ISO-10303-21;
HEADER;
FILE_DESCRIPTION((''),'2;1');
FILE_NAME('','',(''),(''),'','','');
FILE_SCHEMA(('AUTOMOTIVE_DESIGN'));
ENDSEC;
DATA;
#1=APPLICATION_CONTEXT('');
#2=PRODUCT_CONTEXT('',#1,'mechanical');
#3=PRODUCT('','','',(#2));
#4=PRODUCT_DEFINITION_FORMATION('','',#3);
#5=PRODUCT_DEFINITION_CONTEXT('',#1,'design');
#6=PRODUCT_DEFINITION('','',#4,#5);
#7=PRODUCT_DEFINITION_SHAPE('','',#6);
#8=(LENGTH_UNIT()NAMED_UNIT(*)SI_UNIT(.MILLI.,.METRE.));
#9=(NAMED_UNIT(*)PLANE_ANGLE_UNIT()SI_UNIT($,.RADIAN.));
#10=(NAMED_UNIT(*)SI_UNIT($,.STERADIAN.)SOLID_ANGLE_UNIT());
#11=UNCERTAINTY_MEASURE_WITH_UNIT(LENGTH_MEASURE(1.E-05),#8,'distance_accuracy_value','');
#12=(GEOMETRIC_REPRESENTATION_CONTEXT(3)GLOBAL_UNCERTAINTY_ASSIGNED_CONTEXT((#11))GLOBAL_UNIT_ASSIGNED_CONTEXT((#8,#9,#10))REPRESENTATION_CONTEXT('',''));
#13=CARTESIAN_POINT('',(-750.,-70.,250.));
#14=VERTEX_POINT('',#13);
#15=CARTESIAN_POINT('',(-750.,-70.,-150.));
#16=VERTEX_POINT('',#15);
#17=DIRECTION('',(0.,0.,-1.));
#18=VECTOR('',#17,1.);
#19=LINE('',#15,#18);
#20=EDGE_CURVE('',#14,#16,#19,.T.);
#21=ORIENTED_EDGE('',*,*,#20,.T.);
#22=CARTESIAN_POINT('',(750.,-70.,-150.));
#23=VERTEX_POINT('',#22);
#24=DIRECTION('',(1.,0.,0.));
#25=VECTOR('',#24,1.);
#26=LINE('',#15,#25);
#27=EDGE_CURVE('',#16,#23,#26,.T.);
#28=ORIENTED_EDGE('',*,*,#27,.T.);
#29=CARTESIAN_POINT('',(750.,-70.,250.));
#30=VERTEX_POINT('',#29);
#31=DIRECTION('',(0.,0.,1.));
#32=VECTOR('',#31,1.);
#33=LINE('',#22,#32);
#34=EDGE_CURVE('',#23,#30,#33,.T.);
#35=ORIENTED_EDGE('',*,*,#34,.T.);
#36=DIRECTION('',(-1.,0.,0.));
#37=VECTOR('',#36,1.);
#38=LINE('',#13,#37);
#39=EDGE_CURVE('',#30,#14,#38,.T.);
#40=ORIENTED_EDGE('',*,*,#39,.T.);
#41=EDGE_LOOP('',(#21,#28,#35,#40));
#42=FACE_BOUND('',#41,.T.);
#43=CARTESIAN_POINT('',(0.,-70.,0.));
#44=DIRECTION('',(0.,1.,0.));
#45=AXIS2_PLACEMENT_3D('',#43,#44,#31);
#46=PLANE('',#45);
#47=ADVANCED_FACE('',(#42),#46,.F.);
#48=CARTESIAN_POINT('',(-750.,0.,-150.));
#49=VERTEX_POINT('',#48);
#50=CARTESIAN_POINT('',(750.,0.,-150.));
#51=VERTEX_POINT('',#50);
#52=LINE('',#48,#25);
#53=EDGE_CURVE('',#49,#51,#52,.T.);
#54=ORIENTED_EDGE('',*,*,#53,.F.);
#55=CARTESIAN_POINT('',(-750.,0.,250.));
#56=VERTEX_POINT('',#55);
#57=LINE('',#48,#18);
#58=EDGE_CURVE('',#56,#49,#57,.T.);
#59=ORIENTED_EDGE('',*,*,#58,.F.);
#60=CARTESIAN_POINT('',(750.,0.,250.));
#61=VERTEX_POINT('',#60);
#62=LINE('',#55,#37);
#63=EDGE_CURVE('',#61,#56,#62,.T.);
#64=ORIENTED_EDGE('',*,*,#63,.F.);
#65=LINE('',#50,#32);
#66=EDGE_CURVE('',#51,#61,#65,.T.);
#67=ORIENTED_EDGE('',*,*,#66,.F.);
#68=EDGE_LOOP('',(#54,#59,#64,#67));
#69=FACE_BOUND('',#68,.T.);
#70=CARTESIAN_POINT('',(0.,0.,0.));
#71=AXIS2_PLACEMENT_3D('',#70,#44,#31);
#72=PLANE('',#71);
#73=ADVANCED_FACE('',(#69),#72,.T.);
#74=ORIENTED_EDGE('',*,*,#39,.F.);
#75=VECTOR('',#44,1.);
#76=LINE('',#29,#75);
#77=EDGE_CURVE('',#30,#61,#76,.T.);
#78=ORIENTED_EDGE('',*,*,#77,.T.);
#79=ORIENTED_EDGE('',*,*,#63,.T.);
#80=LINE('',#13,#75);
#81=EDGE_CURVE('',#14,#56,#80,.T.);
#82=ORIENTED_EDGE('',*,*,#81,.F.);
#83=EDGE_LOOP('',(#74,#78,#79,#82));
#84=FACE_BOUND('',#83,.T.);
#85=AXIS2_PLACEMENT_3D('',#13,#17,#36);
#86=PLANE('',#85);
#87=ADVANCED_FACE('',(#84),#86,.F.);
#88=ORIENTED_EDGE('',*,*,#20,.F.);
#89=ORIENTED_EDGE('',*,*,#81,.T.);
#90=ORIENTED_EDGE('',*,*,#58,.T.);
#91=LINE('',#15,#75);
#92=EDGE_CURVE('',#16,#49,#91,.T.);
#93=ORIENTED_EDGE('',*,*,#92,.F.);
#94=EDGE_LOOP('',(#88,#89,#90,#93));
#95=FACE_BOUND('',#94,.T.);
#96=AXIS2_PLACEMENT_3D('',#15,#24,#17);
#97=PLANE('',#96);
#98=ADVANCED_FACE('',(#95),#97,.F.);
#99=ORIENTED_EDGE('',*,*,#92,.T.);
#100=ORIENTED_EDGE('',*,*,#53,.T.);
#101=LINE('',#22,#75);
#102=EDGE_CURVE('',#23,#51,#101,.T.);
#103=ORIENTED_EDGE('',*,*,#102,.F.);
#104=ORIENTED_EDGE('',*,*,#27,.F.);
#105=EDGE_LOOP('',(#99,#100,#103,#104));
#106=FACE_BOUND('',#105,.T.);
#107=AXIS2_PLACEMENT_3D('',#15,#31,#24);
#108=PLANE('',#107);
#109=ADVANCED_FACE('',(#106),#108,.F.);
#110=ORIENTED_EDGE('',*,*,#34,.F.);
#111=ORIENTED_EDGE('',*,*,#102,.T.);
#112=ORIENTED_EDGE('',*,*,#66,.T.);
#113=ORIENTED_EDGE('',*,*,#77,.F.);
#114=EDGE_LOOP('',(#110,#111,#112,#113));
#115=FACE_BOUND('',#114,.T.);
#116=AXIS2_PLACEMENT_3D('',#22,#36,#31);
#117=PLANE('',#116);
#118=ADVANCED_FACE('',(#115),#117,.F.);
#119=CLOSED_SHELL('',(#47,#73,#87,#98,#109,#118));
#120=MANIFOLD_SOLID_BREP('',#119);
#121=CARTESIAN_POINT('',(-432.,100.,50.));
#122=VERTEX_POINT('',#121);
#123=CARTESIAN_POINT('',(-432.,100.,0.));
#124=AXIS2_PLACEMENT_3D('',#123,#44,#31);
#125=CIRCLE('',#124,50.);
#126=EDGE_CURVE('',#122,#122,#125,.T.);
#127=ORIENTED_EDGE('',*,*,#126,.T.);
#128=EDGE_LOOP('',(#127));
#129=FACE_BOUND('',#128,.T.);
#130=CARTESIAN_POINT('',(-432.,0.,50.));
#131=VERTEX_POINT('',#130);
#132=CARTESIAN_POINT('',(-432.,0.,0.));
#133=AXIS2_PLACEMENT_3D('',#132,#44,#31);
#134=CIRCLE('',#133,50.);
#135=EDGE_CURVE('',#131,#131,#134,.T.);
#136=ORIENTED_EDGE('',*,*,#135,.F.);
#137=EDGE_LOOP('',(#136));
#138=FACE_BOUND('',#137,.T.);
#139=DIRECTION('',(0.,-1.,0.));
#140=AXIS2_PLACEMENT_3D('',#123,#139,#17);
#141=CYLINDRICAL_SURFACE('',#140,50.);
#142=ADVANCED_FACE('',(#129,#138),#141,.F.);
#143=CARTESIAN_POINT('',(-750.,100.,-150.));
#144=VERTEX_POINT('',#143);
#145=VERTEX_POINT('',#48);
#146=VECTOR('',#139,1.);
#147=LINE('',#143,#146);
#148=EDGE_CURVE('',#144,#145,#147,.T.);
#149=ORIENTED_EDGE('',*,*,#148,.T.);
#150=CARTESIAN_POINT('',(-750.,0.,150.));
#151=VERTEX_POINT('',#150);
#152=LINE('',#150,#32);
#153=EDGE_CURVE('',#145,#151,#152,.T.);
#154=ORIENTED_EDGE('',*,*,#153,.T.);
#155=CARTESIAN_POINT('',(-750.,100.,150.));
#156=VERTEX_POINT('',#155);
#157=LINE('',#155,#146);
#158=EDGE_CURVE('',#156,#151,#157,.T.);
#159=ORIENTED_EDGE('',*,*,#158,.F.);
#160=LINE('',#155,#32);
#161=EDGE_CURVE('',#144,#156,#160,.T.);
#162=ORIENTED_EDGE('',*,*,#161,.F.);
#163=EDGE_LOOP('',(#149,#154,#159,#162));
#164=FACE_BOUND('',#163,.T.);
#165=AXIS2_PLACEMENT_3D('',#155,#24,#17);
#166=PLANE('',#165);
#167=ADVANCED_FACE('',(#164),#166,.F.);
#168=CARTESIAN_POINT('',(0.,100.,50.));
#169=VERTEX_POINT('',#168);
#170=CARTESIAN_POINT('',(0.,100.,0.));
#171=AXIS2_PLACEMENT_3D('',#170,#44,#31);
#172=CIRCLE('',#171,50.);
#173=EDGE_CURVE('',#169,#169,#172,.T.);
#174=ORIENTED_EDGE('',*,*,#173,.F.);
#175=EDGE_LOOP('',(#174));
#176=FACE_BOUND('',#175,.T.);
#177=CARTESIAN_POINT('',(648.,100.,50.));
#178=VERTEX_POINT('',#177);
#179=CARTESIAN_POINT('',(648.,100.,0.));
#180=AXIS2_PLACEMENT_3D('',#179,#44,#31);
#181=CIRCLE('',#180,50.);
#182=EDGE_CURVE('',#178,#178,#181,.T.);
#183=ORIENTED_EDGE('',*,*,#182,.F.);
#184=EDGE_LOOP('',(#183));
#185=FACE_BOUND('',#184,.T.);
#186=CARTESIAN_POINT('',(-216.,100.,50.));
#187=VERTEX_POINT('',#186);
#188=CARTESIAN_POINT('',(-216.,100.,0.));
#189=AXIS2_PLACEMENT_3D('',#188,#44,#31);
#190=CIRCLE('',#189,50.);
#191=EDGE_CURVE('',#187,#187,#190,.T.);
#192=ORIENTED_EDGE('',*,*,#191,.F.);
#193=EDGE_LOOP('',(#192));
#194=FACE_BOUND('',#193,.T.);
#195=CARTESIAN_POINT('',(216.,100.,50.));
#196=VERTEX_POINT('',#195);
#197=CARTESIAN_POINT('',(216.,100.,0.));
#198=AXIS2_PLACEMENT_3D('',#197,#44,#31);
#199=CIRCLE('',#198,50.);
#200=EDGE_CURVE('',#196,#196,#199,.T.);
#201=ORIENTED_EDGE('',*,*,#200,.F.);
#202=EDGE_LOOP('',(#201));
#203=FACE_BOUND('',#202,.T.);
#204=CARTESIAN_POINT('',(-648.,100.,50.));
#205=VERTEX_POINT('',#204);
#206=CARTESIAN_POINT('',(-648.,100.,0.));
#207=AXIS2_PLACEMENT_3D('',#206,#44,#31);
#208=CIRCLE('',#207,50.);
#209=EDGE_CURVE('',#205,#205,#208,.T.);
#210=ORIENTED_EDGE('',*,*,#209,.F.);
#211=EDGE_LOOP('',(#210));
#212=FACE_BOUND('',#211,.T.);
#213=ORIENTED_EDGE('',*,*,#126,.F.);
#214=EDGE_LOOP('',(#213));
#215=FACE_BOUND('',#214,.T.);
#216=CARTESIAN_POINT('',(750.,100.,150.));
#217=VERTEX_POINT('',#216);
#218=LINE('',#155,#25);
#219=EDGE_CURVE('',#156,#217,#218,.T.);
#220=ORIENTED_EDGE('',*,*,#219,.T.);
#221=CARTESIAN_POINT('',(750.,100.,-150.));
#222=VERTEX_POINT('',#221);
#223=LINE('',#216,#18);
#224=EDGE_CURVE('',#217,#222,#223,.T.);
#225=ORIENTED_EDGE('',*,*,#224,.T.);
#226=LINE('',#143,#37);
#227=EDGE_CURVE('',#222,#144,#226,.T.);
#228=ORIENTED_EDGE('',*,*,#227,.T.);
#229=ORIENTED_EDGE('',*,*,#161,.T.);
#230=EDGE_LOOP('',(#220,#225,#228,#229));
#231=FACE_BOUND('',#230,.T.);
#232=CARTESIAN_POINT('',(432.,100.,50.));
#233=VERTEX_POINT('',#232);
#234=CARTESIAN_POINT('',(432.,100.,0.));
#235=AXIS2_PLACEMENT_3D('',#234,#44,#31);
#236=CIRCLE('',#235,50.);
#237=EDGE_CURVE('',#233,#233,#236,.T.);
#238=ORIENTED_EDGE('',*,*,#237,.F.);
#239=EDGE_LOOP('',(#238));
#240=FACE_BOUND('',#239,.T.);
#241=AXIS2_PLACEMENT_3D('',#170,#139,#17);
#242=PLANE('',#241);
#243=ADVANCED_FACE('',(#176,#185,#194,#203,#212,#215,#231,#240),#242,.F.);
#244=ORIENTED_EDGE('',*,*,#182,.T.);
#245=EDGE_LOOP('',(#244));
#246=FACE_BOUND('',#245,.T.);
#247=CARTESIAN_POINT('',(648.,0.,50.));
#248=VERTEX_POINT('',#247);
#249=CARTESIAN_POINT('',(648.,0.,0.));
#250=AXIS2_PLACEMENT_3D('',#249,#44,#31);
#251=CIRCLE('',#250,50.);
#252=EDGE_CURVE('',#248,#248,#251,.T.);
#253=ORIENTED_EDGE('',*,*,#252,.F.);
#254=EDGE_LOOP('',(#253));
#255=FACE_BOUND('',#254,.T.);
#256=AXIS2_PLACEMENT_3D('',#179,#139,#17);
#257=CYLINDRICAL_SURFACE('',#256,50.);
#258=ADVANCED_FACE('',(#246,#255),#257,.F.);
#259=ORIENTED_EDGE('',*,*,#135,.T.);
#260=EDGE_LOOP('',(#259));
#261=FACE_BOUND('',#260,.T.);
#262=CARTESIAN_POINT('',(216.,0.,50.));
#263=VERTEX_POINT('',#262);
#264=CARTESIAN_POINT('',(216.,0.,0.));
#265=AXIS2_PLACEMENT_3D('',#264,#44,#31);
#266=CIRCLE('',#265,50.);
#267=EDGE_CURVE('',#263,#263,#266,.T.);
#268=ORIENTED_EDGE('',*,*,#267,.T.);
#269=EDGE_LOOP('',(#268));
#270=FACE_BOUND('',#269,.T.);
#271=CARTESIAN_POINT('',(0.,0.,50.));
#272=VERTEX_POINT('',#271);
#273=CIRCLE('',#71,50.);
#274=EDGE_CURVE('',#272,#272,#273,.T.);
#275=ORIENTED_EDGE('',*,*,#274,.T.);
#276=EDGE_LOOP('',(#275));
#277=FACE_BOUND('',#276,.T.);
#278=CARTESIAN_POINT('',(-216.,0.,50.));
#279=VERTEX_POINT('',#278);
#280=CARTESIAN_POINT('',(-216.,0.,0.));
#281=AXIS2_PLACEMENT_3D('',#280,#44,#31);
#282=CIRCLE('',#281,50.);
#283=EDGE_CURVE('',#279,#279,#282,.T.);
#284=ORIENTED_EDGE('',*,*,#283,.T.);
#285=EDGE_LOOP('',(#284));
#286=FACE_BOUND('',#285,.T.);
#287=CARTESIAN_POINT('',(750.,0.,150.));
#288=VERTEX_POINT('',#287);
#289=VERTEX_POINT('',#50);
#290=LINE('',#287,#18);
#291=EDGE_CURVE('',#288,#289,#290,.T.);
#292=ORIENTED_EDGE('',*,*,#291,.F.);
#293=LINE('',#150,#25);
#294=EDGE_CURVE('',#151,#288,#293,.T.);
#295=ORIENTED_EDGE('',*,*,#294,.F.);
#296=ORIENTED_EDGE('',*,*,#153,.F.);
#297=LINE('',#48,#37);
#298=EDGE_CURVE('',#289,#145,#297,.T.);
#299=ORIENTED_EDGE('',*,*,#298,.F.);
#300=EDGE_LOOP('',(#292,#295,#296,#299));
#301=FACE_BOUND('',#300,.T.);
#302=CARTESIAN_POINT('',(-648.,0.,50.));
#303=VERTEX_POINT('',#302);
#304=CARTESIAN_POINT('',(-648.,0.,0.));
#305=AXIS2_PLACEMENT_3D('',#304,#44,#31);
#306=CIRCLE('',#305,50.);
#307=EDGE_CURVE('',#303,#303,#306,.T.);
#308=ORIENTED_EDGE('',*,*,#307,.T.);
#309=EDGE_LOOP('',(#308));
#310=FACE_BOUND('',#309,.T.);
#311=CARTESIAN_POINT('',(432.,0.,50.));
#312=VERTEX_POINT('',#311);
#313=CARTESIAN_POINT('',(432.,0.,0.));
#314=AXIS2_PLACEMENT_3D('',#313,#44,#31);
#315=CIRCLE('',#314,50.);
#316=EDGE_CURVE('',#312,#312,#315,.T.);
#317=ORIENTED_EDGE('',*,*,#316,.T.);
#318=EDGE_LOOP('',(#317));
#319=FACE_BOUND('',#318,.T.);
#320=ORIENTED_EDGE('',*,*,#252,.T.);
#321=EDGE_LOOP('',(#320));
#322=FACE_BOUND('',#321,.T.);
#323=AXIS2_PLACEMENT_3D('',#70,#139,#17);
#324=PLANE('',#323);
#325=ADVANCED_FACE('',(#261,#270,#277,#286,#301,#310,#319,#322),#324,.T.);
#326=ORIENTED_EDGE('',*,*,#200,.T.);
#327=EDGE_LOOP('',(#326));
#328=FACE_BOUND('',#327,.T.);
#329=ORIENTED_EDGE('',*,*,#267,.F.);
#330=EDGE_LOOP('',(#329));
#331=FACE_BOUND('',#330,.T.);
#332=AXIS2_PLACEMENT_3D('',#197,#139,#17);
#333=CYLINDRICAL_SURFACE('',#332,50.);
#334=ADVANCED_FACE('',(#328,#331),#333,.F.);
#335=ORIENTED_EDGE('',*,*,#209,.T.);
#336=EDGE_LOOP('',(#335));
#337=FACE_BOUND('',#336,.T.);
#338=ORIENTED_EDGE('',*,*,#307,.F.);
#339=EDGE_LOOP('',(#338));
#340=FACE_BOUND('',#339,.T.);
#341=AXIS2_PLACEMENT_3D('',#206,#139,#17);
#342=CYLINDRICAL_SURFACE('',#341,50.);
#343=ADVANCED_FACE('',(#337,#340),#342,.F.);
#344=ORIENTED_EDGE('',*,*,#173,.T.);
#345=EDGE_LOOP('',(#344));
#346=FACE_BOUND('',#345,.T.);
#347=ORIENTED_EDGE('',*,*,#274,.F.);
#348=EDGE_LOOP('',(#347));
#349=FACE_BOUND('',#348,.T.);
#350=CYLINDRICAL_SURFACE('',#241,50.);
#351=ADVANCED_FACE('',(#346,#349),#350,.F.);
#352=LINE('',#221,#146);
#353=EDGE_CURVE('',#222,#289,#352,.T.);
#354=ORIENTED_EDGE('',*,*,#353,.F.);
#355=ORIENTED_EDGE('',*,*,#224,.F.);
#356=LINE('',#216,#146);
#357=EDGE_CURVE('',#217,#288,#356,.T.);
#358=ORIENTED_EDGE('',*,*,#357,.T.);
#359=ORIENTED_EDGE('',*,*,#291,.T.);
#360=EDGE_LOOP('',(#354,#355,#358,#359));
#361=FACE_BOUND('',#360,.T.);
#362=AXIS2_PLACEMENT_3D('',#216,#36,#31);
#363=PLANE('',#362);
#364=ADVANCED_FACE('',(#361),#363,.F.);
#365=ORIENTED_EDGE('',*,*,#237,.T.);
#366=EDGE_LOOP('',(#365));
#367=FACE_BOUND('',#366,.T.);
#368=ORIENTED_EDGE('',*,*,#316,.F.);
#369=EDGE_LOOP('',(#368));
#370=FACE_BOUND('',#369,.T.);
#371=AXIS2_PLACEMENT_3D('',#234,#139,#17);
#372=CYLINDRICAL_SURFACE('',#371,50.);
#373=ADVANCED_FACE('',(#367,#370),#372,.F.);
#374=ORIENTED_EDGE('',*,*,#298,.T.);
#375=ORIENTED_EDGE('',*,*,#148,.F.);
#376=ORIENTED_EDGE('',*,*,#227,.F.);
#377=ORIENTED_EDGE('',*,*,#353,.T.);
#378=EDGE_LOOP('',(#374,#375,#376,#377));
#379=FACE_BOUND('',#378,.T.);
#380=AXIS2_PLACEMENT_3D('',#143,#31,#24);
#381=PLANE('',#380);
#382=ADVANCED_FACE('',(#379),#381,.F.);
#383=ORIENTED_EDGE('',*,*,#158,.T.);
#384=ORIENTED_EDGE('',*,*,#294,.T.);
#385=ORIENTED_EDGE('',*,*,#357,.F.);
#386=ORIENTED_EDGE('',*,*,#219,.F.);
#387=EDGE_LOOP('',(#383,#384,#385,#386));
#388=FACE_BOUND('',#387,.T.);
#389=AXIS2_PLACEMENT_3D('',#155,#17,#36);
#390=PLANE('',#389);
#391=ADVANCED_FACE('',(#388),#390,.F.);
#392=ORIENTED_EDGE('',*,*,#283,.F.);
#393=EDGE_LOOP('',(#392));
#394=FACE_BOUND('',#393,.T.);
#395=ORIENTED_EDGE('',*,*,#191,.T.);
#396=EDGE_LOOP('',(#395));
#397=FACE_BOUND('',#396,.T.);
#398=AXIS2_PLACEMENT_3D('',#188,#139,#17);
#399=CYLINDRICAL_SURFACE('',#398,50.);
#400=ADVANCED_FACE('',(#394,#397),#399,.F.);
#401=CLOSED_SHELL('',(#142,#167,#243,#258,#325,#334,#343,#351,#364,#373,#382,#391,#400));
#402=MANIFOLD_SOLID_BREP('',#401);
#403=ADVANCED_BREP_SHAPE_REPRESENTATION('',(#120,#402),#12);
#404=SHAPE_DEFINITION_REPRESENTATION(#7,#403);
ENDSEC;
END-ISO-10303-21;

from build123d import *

# Parameters (mm, degrees)
SKETCH1_W           = 1500
SKETCH1_H           = 300
SKETCH1_R           = 50
BOSS_EXTRUDE1_DEPTH = 100
SKETCH2_W           = 1500
SKETCH2_H           = 400
BOSS_EXTRUDE3_DEPTH = 70


with BuildPart() as part:
    # Sketch1 → Boss-Extrude1 (new body)
    with BuildSketch(Plane(origin=(0, 0, 0), x_dir=(1, 0, 0), z_dir=(0, 1, 0))):
        Rectangle(SKETCH1_W, SKETCH1_H)
        with Locations(Location((-648, 0, 0), (0, 0, 270))):
            Circle(SKETCH1_R, mode=Mode.SUBTRACT)
        with Locations(Location((-432, 0, 0), (0, 0, 270))):
            Circle(SKETCH1_R, mode=Mode.SUBTRACT)
        with Locations(Location((-216, 0, 0), (0, 0, 270))):
            Circle(SKETCH1_R, mode=Mode.SUBTRACT)
        with Locations(Location((0, 0, 0), (0, 0, 270))):
            Circle(SKETCH1_R, mode=Mode.SUBTRACT)
        with Locations(Location((216, 0, 0), (0, 0, 270))):
            Circle(SKETCH1_R, mode=Mode.SUBTRACT)
        with Locations(Location((432, 0, 0), (0, 0, 270))):
            Circle(SKETCH1_R, mode=Mode.SUBTRACT)
        with Locations(Location((648, 0, 0), (0, 0, 270))):
            Circle(SKETCH1_R, mode=Mode.SUBTRACT)
    extrude(amount=BOSS_EXTRUDE1_DEPTH)


with BuildPart() as body_2:
    # Sketch2 → Boss-Extrude3 (new body)
    with BuildSketch(Plane.XZ):
        with Locations((0, 50)):
            Rectangle(SKETCH2_W, SKETCH2_H)
    extrude(amount=BOSS_EXTRUDE3_DEPTH)


solid = Compound([part.part, body_2.part])
